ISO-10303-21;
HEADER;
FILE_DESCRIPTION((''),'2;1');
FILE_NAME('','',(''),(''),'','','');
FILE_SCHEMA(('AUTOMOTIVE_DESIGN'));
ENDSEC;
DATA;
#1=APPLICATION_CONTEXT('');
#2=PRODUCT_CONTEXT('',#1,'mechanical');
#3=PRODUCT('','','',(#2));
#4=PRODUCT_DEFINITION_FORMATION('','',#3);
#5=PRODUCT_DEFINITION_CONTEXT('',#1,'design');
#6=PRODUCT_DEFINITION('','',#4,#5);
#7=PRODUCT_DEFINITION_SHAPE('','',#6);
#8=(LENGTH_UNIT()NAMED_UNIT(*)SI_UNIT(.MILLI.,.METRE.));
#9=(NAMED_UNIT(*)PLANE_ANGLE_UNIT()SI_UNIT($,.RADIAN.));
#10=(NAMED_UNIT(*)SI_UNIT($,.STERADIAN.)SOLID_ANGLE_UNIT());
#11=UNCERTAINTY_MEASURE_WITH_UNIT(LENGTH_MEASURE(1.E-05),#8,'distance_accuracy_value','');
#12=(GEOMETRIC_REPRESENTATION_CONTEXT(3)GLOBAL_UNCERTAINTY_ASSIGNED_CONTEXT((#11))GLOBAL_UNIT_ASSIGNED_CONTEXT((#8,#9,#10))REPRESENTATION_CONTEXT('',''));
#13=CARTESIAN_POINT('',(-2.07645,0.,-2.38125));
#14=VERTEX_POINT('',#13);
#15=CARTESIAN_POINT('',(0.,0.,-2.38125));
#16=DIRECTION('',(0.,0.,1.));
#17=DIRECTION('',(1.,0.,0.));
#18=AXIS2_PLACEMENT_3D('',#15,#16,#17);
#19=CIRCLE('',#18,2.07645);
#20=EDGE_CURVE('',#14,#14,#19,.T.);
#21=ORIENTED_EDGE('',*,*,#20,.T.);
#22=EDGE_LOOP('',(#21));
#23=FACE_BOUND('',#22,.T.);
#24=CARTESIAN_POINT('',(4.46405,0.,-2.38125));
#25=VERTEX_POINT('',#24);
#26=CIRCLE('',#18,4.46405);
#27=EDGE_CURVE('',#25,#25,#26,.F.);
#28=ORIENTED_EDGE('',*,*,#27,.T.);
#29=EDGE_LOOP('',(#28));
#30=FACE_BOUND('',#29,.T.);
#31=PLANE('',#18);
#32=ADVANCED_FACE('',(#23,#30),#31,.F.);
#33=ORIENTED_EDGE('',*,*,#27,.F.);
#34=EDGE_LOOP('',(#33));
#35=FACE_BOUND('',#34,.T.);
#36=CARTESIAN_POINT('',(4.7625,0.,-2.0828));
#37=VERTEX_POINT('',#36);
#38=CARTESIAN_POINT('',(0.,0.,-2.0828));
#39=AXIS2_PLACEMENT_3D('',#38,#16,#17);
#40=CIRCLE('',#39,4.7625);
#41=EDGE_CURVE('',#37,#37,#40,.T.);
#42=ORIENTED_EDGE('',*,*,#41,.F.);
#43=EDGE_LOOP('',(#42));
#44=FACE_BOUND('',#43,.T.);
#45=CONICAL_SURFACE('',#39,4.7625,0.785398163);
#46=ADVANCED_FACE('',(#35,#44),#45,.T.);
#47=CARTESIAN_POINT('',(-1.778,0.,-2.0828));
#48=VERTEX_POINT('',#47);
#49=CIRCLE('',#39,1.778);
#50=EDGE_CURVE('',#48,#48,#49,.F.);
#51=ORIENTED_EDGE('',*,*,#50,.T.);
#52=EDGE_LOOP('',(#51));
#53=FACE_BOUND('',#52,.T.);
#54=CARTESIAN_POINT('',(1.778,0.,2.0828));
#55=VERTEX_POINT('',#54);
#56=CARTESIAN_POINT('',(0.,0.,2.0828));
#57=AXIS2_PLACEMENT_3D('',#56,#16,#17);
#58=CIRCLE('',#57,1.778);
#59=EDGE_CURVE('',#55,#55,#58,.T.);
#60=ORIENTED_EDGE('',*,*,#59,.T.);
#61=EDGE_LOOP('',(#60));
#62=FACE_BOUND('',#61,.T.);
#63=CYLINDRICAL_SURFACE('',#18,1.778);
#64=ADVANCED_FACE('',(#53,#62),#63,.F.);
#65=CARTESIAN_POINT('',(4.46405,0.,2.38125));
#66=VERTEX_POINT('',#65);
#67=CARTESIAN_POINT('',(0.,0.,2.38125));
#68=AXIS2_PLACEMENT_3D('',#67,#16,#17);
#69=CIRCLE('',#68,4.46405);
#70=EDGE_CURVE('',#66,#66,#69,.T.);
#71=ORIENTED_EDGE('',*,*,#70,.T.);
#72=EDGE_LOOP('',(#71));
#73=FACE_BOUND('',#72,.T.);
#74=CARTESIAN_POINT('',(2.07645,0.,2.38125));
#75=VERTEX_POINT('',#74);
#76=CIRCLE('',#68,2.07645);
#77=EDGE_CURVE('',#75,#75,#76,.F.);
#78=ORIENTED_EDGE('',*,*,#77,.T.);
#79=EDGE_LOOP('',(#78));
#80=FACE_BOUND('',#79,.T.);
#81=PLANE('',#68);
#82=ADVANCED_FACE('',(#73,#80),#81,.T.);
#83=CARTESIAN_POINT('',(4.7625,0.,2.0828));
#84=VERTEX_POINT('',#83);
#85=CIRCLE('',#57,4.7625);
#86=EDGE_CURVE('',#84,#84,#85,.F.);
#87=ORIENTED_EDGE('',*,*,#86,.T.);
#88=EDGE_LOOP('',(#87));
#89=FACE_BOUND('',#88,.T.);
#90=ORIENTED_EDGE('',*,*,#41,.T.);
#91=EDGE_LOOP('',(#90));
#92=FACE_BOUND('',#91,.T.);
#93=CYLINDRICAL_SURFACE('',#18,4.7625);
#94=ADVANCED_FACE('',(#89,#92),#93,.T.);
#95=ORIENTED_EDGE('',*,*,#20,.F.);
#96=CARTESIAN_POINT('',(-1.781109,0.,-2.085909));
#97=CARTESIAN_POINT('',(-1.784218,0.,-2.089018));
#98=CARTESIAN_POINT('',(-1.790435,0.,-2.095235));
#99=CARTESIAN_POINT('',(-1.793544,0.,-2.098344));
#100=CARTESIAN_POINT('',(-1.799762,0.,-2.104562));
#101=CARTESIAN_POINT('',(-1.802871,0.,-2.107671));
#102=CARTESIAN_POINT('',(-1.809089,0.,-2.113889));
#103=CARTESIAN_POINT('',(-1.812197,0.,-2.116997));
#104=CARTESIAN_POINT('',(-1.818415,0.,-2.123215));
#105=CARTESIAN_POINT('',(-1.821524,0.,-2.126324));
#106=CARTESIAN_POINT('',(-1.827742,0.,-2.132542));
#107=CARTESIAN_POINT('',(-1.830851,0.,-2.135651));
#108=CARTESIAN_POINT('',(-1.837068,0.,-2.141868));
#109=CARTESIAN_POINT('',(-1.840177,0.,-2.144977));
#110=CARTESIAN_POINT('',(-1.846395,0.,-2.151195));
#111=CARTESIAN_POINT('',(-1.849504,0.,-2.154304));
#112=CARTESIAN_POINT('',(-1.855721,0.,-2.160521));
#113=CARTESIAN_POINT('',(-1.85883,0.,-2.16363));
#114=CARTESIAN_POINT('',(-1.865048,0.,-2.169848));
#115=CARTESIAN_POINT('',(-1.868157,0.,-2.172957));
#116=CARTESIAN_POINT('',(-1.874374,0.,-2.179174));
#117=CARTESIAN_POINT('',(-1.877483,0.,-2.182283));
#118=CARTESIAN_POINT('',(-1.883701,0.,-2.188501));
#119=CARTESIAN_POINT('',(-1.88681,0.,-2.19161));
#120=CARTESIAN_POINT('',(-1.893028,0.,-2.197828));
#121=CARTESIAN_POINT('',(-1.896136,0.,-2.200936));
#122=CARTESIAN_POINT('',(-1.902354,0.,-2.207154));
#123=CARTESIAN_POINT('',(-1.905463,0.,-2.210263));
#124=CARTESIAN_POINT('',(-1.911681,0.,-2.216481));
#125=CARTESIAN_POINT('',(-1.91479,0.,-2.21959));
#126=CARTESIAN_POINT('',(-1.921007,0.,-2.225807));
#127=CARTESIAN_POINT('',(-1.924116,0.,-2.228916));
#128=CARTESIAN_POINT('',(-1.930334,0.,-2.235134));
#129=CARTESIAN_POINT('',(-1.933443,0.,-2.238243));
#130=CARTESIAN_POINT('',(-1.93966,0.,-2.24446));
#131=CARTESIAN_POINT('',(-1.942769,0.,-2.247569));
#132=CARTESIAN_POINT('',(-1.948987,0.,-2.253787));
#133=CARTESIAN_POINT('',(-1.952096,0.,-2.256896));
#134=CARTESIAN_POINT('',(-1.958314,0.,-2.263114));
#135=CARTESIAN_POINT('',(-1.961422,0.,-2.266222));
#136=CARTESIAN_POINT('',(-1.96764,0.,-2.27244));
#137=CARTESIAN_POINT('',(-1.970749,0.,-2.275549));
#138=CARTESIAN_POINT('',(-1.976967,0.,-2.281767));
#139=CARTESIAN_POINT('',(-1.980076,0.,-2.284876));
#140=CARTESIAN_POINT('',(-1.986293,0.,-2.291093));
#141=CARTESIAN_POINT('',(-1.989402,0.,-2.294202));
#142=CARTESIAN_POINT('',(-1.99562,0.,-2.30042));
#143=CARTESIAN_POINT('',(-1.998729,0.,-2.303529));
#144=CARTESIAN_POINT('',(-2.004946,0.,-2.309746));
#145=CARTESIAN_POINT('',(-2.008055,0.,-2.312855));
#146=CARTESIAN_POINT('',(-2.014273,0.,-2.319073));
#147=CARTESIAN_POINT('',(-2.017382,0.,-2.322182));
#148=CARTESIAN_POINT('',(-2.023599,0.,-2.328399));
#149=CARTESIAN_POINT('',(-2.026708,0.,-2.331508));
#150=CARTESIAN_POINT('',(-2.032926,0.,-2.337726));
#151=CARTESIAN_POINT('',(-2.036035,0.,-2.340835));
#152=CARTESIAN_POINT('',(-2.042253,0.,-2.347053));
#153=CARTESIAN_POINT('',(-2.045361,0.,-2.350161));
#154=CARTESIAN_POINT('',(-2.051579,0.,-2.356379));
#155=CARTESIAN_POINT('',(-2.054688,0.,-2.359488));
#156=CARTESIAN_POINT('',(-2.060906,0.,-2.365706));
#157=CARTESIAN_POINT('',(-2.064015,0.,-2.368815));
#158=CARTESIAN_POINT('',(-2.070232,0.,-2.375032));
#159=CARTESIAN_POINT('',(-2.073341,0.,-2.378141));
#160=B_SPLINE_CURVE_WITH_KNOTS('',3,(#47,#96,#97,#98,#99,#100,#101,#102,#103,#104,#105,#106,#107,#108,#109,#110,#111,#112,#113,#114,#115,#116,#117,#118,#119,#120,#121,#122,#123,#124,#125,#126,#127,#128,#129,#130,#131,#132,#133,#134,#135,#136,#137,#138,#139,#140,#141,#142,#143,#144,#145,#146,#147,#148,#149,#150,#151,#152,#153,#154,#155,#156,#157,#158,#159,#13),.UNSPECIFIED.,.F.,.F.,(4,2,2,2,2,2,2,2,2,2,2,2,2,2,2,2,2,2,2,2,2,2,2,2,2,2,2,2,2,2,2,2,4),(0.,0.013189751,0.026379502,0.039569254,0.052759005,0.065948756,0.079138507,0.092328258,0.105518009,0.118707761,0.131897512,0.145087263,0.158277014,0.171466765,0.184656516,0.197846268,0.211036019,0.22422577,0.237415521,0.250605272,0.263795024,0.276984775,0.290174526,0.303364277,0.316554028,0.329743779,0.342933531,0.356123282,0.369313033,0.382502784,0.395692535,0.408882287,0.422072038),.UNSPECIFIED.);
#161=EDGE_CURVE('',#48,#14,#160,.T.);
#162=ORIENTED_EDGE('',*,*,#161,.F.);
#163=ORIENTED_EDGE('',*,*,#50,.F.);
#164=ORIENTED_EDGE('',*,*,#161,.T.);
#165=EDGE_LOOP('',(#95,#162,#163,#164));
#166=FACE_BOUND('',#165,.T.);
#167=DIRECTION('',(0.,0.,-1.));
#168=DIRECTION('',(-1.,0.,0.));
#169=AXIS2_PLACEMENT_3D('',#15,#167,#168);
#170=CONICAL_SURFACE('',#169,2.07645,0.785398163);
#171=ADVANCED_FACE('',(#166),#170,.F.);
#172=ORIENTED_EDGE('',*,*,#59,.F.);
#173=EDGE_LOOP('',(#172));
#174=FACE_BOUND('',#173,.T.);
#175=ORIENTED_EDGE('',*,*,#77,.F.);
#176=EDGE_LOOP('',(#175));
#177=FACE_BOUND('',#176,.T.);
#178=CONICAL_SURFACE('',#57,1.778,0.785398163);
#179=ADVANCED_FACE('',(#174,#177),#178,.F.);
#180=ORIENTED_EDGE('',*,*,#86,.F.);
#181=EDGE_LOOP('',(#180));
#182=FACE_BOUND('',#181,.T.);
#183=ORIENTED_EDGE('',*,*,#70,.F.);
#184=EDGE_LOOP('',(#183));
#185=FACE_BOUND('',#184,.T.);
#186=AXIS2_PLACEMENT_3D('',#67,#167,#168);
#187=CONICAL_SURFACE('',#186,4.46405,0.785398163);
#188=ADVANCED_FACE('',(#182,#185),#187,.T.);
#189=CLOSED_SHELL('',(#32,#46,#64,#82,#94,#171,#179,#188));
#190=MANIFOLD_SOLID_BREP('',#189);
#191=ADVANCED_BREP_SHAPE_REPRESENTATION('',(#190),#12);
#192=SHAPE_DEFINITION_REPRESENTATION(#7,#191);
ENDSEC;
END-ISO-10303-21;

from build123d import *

# Parameters (mm, degrees)
BOSS_EXTRUDE1_DEPTH      = 2.38125
BOSS_EXTRUDE1_DEPTH_BACK = 2.38125
SKETCH3_R                = 4.7625
SKETCH3_R_2              = 1.778
CHAMFER1_SIZE            = 0.29845


with BuildPart() as part:
    # Sketch3 → Boss-Extrude1 (new, two sides: drawn at the far end of the back side and taken through both)
    with BuildSketch(Plane.XY.offset(-BOSS_EXTRUDE1_DEPTH_BACK)):
        Circle(SKETCH3_R)
        Circle(SKETCH3_R_2, mode=Mode.SUBTRACT)
    extrude(amount=BOSS_EXTRUDE1_DEPTH + BOSS_EXTRUDE1_DEPTH_BACK)

    # Chamfer1
    chamfer1_edges = [part.edges().sort_by_distance(p)[0] for p in [
        (-4.7625, 0, -2.38125),
        (-1.778, 0, -2.38125),
        (-4.7625, 0, 2.38125),
        (-1.778, 0, 2.38125),
    ]]
    chamfer(chamfer1_edges, length=CHAMFER1_SIZE)


solid = part.part
